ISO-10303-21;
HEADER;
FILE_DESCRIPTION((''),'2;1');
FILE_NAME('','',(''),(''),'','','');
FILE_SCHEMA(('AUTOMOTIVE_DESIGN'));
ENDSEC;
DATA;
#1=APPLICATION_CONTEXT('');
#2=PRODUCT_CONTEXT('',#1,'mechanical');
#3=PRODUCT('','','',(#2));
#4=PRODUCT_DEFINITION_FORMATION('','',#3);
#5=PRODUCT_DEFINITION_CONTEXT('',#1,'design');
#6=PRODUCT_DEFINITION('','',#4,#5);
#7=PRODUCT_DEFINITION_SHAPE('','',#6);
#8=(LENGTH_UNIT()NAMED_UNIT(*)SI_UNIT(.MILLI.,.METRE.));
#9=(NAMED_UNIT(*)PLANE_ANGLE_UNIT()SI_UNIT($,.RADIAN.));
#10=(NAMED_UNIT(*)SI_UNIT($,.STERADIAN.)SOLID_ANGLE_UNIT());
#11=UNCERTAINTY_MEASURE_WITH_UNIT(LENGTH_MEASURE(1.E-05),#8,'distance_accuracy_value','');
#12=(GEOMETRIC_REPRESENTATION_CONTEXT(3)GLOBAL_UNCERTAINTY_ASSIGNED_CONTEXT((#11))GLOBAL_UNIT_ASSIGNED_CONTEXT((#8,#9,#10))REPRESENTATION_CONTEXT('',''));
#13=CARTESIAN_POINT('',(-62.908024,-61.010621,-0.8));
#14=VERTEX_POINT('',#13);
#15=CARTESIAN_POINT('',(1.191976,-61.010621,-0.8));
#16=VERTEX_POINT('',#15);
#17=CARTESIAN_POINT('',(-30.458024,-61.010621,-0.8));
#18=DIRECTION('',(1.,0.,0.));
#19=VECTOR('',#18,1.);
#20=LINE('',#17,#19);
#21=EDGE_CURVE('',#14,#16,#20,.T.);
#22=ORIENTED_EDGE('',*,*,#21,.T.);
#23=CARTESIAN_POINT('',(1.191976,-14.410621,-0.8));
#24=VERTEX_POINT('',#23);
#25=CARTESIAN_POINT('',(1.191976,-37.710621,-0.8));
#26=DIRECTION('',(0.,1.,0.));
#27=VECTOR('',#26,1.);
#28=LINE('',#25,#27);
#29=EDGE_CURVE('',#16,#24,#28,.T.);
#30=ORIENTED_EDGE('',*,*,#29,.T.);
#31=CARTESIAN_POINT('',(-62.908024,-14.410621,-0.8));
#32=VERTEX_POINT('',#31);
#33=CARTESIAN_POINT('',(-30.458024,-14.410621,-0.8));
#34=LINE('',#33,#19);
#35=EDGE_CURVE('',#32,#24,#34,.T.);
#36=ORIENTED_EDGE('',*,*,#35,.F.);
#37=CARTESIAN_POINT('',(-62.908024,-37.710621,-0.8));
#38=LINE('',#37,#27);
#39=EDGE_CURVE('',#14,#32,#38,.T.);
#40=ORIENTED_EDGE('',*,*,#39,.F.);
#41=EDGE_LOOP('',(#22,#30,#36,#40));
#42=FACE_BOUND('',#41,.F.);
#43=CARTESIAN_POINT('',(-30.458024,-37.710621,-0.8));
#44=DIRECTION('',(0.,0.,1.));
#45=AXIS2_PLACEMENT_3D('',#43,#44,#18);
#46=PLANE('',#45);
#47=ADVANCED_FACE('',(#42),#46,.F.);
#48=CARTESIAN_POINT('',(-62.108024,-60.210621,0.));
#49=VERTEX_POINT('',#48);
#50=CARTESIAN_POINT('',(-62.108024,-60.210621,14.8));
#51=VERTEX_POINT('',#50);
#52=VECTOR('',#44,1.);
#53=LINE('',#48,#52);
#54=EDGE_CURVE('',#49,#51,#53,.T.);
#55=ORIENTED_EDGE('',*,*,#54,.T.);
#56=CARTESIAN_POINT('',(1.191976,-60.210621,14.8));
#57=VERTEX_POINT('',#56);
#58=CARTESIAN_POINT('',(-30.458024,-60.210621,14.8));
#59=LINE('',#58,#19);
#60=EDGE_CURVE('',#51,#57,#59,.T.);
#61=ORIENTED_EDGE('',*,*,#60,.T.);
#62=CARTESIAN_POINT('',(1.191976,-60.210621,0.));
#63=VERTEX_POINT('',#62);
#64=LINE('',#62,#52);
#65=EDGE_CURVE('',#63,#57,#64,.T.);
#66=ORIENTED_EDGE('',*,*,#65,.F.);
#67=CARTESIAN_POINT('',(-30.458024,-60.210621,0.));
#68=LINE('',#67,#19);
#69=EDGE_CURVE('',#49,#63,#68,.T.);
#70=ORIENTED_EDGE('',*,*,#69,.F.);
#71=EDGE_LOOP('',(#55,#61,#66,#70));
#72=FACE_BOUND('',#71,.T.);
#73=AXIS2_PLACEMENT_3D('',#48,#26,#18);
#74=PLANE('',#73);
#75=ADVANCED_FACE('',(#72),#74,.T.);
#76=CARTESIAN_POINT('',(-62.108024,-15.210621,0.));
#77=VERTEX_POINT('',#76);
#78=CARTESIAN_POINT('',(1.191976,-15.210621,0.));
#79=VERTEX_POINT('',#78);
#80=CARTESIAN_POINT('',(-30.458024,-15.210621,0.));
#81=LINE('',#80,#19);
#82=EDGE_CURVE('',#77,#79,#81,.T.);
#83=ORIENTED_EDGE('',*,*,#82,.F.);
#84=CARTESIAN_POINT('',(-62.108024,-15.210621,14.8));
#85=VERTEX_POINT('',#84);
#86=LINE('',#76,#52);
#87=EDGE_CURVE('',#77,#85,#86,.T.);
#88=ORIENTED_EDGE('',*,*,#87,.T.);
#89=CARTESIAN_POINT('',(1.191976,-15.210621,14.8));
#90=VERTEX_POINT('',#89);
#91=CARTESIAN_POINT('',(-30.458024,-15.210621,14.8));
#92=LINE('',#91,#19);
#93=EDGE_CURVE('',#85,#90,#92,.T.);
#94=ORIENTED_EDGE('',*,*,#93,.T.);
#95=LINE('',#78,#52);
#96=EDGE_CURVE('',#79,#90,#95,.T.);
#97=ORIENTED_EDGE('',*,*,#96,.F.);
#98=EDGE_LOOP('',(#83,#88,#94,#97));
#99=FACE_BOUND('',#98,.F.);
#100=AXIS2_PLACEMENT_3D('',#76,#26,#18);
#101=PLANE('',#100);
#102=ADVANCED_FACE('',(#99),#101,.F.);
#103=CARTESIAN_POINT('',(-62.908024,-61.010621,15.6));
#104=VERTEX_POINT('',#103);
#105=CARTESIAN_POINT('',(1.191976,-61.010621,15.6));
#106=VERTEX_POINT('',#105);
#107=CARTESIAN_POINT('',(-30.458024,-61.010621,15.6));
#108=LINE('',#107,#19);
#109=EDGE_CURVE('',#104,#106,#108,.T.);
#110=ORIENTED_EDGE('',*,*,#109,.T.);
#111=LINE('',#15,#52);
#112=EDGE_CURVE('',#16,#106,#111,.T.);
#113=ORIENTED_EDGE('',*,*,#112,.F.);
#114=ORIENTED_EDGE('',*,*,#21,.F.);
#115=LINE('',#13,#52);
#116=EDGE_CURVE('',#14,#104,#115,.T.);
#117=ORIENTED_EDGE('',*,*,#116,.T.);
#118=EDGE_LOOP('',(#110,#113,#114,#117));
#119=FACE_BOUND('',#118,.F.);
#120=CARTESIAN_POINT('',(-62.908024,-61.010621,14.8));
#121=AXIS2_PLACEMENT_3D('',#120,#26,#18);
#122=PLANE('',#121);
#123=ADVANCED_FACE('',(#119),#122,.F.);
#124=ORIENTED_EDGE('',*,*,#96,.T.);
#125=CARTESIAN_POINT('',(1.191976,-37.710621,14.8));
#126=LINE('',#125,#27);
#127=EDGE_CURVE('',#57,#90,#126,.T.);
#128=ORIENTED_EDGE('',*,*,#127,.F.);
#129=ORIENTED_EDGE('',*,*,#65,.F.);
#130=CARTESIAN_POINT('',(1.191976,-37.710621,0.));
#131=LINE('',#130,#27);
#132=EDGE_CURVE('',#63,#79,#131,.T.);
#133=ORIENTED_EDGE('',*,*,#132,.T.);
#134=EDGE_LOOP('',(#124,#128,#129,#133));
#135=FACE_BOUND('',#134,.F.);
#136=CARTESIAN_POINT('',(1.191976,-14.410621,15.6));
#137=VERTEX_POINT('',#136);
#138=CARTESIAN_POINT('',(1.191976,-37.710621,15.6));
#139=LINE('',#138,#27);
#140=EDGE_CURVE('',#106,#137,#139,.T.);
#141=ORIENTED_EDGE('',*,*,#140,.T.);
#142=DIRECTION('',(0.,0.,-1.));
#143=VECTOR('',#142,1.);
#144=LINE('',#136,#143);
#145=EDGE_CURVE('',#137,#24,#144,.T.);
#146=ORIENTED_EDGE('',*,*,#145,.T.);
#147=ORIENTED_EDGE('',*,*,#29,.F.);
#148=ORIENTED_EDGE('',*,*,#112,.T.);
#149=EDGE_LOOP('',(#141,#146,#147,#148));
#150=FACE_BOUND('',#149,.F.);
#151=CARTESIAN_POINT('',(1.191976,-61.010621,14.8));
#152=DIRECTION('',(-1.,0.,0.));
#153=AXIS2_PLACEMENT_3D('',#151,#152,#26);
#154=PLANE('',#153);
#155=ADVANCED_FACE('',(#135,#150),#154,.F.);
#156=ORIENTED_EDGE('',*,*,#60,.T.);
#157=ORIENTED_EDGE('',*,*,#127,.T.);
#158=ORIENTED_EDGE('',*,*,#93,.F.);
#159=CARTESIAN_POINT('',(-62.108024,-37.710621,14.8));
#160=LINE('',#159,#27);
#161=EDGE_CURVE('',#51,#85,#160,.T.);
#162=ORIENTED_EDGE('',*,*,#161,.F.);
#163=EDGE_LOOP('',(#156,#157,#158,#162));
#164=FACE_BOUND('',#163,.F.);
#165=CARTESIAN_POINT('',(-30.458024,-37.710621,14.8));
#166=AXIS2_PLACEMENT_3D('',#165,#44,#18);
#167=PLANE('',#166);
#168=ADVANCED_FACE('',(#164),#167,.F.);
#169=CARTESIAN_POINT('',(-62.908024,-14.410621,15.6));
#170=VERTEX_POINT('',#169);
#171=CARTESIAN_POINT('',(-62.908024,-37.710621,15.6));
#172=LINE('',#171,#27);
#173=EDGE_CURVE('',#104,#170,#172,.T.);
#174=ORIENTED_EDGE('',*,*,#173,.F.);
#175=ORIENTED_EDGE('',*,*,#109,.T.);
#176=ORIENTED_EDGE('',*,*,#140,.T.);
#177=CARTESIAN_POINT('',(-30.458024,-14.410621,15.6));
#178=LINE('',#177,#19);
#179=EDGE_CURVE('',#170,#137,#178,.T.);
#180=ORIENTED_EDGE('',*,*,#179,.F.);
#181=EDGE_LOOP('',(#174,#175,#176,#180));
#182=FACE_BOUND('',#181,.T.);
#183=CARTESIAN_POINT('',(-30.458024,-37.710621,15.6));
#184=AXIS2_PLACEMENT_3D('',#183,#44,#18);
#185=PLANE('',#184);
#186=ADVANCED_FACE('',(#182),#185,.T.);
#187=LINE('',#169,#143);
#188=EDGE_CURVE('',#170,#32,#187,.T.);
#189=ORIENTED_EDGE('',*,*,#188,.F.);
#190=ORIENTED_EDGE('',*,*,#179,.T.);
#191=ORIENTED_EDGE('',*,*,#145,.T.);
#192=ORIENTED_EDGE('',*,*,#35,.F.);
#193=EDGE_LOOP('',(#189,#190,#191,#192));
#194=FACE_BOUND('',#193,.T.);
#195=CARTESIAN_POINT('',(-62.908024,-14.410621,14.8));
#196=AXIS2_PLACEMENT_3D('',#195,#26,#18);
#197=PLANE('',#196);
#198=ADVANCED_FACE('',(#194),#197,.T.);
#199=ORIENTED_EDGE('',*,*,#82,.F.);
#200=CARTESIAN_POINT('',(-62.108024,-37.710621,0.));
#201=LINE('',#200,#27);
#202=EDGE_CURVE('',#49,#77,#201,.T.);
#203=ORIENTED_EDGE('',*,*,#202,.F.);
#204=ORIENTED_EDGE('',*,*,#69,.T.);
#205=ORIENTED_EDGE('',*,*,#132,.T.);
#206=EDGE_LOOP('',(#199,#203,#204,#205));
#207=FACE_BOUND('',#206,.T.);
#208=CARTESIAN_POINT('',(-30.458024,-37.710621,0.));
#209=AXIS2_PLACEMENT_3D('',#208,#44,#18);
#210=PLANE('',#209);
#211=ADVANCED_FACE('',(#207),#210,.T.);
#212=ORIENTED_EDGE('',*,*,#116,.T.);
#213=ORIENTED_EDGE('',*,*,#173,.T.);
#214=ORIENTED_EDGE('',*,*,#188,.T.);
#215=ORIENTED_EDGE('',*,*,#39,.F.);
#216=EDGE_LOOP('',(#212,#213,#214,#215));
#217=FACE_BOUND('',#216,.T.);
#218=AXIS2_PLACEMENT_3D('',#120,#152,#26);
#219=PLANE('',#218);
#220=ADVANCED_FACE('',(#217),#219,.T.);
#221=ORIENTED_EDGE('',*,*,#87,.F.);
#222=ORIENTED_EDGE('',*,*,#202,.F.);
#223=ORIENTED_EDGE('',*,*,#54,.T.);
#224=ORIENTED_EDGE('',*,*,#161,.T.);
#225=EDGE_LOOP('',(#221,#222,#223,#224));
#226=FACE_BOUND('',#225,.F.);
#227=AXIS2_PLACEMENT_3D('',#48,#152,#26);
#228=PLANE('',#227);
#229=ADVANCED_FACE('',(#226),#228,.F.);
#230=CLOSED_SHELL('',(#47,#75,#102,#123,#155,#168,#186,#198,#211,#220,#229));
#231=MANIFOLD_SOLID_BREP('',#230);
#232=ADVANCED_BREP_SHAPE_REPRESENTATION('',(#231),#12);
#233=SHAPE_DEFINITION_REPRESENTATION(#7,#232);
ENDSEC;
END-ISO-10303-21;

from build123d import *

# Parameters (mm, degrees)
F0_W     = 64.9
F0_H     = 46.6
F0_W_2   = 63.3
F0_H_2   = 45
F1_DEPTH = 0.8
F2_DEPTH = 14.8
F3_W     = 64.9
F3_H     = 46.6
F3_W_2   = 63.3
F3_H_2   = 45
F4_DEPTH = 0.8
F5_DEPTH = 0.8


with BuildPart() as f1:
    # F0 (on Top) → F1 (new body)
    with BuildSketch(Plane.XY):
        with Locations((-30.4580235958, -37.7106211)):
            Rectangle(F0_W, F0_H)
        with Locations((-30.4580235958, -37.7106211)):
            Rectangle(F0_W_2, F0_H_2, mode=Mode.SUBTRACT)
        with Locations((-30.4580235958, -37.7106211)):
            Rectangle(F0_W_2, F0_H_2)
    extrude(amount=-F1_DEPTH)

    # F0 (on Top) → F2 (join)
    with BuildSketch(Plane.XY):
        with Locations((-30.4580235958, -37.7106211)):
            Rectangle(F0_W, F0_H)
        with Locations((-30.4580235958, -37.7106211)):
            Rectangle(F0_W_2, F0_H_2, mode=Mode.SUBTRACT)
    extrude(amount=F2_DEPTH)

    # F3 (on face) → F4 (join)
    with BuildSketch(Plane.XY.offset(14.8)):
        with Locations((-30.4580235958, -37.7106211)):
            Rectangle(F3_W, F3_H)
        with Locations((-30.4580235958, -37.7106211)):
            Rectangle(F3_W_2, F3_H_2, mode=Mode.SUBTRACT)
        with Locations((-30.4580235958, -37.7106211)):
            Rectangle(F3_W_2, F3_H_2)
    extrude(amount=F4_DEPTH)

    # F5 (cut): a face of the model
    f5_faces = [f1.faces().sort_by_distance(p)[0] for p in [
        (1.9919764042, -37.7106211, 7.4),
    ]]
    extrude(f5_faces, amount=-F5_DEPTH, mode=Mode.SUBTRACT)


solid = f1.part
